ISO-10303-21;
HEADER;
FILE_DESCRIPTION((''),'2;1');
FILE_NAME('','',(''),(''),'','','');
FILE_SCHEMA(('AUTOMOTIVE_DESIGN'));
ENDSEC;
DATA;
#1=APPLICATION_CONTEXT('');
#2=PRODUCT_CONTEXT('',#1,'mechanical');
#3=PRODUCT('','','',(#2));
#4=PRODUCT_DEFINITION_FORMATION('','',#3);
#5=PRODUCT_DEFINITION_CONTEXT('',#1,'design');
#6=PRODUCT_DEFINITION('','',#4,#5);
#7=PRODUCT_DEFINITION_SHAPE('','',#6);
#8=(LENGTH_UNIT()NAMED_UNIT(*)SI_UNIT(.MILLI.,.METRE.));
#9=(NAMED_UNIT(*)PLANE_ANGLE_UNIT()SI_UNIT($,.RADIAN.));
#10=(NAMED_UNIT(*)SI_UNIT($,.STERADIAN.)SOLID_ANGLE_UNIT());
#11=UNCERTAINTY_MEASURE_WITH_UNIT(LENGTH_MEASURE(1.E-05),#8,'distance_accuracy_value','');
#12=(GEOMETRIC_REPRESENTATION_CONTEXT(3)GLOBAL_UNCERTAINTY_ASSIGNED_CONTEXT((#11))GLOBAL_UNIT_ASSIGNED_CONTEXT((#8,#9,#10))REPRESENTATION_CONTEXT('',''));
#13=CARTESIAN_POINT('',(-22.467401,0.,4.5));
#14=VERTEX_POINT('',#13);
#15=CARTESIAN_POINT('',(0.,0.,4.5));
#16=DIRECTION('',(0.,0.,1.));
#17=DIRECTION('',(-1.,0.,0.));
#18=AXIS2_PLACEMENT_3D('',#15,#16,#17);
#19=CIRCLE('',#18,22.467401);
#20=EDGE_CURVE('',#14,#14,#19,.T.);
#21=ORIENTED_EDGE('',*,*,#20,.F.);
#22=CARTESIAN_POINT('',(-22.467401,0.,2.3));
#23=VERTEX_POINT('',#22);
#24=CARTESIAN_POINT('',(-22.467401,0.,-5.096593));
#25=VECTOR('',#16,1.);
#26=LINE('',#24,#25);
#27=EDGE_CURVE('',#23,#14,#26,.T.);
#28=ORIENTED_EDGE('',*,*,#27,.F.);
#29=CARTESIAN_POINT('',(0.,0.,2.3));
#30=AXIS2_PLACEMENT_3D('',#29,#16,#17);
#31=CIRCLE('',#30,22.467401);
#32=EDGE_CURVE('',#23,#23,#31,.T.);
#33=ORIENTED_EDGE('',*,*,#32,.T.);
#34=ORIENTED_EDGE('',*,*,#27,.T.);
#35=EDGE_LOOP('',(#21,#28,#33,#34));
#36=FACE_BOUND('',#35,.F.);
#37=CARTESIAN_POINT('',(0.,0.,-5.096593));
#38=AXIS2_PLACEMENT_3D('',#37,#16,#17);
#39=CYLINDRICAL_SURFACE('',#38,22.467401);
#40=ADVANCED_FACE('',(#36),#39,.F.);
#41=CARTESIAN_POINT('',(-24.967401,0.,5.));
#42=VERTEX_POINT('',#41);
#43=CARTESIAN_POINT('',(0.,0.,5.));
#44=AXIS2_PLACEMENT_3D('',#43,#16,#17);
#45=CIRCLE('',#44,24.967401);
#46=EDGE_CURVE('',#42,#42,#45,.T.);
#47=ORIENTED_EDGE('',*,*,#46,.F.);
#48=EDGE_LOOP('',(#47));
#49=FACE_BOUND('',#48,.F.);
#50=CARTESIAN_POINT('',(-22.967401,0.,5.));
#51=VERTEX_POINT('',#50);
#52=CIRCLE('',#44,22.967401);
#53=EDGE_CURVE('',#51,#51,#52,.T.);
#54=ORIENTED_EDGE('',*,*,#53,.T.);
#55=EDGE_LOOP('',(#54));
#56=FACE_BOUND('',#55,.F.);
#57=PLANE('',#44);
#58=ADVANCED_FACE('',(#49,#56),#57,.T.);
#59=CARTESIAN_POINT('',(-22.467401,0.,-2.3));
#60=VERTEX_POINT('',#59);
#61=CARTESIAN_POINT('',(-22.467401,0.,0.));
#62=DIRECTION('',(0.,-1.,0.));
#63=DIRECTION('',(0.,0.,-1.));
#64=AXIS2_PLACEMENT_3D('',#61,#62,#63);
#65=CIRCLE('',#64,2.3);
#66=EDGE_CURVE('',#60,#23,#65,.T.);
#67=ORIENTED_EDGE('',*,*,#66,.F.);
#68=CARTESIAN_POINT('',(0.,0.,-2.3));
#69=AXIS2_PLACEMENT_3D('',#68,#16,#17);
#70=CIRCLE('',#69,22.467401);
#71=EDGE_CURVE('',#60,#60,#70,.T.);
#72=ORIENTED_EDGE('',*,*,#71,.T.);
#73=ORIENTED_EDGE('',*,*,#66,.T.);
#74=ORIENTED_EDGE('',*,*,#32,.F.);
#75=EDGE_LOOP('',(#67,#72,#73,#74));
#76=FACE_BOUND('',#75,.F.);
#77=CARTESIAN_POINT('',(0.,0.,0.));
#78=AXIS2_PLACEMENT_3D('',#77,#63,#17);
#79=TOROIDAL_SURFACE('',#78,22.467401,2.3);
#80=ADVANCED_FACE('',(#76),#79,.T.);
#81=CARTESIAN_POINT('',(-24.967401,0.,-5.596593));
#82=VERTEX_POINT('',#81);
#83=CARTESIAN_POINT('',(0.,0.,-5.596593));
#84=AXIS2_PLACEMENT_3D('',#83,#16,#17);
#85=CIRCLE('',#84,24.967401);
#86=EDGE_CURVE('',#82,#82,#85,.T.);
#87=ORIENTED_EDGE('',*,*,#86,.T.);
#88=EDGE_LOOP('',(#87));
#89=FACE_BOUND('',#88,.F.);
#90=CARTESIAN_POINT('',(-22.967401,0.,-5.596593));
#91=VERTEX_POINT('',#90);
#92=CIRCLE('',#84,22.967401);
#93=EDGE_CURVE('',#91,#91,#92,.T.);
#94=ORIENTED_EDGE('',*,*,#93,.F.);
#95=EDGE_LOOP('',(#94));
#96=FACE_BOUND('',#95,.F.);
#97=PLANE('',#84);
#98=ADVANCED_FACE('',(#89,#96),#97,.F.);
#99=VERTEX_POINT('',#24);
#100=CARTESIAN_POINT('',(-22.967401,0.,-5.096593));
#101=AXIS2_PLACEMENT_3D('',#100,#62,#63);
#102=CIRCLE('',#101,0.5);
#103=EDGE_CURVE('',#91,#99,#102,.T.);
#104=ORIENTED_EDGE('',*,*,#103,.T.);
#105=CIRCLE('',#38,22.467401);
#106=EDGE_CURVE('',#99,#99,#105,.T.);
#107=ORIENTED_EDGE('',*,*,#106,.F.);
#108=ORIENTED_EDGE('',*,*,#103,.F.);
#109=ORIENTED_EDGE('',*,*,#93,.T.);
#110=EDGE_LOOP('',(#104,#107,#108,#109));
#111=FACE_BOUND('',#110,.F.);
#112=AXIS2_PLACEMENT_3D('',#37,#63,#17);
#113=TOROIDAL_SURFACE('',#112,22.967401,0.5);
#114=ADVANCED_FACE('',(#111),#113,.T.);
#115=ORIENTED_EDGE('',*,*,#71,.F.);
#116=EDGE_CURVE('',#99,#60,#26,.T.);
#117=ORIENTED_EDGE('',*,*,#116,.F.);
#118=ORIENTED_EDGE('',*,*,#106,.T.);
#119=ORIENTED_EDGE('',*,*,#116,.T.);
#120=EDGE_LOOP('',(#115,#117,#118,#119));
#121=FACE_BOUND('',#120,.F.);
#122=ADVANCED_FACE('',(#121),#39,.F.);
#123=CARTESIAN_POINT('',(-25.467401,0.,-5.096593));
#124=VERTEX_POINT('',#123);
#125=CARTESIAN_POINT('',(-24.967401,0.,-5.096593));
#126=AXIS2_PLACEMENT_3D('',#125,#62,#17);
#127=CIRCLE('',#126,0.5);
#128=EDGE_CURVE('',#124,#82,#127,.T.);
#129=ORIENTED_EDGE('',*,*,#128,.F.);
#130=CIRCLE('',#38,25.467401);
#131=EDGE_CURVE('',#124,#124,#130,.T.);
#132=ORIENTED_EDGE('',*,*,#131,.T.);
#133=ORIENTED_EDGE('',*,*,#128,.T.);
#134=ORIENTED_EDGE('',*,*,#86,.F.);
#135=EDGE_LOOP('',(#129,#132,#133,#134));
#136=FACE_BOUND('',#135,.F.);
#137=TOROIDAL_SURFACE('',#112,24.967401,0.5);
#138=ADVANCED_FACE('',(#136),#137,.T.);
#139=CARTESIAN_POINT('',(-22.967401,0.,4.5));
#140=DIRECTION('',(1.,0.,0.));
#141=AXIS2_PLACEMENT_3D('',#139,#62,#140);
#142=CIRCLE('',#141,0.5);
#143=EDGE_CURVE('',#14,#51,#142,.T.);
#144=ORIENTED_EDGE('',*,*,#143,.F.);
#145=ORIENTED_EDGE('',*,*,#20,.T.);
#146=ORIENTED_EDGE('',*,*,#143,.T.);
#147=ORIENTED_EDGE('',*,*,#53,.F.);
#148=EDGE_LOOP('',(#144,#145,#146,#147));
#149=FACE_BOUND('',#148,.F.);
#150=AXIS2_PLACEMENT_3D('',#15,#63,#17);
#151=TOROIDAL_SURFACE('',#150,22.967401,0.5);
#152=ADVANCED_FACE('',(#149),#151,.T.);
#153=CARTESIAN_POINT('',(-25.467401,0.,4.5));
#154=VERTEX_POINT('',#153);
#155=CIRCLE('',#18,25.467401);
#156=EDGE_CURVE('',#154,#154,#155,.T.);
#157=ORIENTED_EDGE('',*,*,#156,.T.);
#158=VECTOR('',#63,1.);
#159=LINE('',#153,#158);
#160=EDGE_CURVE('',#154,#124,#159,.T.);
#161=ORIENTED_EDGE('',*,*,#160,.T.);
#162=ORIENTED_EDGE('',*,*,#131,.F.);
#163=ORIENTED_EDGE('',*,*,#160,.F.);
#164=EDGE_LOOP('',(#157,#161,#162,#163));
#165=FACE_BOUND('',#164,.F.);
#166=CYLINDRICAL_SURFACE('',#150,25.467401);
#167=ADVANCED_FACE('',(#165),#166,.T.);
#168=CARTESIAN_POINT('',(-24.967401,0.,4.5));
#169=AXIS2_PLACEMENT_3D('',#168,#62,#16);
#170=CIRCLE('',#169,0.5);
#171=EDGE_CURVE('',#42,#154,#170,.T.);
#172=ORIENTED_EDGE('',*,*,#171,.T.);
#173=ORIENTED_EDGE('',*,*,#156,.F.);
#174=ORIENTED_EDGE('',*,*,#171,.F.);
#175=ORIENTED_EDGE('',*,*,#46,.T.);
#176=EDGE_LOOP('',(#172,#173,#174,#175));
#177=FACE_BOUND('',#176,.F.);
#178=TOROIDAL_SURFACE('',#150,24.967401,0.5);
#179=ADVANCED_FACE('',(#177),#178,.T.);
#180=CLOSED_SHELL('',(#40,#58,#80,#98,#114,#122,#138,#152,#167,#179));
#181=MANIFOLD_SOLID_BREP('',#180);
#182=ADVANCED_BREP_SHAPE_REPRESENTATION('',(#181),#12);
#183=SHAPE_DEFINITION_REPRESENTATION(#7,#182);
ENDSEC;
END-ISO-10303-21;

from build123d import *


with BuildPart() as f2:
    # F1 (on Front) → F2 (revolve)
    with BuildSketch(Plane.XZ):
        with BuildLine():
            Line((-22.4674008148, 2.3), (-22.4674008148, -2.3))
            ThreePointArc((-22.4674008148, -2.3), (-20.1674008148, 0), (-22.4674008148, 2.3))
        make_face()
        with BuildLine():
            Line((-22.4674008148, -5.0965931537), (-22.4674008148, -2.3))
            Line((-22.4674008148, -2.3), (-22.4674008148, 2.3))
            Line((-22.4674008148, 2.3), (-22.4674008148, 4.5))
            ThreePointArc((-22.4674008148, 4.5), (-22.6138474242, 4.8535533906), (-22.9674008148, 5))
            Line((-22.9674008148, 5), (-24.9674008148, 5))
            ThreePointArc((-24.9674008148, 5), (-25.3209542054, 4.8535533906), (-25.4674008148, 4.5))
            Line((-25.4674008148, 4.5), (-25.4674008148, -5.0965931537))
            ThreePointArc((-25.4674008148, -5.0965931537), (-25.3209542054, -5.4501465443), (-24.9674008148, -5.5965931537))
            Line((-24.9674008148, -5.5965931537), (-22.9674008148, -5.5965931537))
            ThreePointArc((-22.9674008148, -5.5965931537), (-22.6138474242, -5.4501465443), (-22.4674008148, -5.0965931537))
        make_face()
    revolve(axis=Axis((0, 0, 0), (0, 0, 1)))


solid = f2.part
